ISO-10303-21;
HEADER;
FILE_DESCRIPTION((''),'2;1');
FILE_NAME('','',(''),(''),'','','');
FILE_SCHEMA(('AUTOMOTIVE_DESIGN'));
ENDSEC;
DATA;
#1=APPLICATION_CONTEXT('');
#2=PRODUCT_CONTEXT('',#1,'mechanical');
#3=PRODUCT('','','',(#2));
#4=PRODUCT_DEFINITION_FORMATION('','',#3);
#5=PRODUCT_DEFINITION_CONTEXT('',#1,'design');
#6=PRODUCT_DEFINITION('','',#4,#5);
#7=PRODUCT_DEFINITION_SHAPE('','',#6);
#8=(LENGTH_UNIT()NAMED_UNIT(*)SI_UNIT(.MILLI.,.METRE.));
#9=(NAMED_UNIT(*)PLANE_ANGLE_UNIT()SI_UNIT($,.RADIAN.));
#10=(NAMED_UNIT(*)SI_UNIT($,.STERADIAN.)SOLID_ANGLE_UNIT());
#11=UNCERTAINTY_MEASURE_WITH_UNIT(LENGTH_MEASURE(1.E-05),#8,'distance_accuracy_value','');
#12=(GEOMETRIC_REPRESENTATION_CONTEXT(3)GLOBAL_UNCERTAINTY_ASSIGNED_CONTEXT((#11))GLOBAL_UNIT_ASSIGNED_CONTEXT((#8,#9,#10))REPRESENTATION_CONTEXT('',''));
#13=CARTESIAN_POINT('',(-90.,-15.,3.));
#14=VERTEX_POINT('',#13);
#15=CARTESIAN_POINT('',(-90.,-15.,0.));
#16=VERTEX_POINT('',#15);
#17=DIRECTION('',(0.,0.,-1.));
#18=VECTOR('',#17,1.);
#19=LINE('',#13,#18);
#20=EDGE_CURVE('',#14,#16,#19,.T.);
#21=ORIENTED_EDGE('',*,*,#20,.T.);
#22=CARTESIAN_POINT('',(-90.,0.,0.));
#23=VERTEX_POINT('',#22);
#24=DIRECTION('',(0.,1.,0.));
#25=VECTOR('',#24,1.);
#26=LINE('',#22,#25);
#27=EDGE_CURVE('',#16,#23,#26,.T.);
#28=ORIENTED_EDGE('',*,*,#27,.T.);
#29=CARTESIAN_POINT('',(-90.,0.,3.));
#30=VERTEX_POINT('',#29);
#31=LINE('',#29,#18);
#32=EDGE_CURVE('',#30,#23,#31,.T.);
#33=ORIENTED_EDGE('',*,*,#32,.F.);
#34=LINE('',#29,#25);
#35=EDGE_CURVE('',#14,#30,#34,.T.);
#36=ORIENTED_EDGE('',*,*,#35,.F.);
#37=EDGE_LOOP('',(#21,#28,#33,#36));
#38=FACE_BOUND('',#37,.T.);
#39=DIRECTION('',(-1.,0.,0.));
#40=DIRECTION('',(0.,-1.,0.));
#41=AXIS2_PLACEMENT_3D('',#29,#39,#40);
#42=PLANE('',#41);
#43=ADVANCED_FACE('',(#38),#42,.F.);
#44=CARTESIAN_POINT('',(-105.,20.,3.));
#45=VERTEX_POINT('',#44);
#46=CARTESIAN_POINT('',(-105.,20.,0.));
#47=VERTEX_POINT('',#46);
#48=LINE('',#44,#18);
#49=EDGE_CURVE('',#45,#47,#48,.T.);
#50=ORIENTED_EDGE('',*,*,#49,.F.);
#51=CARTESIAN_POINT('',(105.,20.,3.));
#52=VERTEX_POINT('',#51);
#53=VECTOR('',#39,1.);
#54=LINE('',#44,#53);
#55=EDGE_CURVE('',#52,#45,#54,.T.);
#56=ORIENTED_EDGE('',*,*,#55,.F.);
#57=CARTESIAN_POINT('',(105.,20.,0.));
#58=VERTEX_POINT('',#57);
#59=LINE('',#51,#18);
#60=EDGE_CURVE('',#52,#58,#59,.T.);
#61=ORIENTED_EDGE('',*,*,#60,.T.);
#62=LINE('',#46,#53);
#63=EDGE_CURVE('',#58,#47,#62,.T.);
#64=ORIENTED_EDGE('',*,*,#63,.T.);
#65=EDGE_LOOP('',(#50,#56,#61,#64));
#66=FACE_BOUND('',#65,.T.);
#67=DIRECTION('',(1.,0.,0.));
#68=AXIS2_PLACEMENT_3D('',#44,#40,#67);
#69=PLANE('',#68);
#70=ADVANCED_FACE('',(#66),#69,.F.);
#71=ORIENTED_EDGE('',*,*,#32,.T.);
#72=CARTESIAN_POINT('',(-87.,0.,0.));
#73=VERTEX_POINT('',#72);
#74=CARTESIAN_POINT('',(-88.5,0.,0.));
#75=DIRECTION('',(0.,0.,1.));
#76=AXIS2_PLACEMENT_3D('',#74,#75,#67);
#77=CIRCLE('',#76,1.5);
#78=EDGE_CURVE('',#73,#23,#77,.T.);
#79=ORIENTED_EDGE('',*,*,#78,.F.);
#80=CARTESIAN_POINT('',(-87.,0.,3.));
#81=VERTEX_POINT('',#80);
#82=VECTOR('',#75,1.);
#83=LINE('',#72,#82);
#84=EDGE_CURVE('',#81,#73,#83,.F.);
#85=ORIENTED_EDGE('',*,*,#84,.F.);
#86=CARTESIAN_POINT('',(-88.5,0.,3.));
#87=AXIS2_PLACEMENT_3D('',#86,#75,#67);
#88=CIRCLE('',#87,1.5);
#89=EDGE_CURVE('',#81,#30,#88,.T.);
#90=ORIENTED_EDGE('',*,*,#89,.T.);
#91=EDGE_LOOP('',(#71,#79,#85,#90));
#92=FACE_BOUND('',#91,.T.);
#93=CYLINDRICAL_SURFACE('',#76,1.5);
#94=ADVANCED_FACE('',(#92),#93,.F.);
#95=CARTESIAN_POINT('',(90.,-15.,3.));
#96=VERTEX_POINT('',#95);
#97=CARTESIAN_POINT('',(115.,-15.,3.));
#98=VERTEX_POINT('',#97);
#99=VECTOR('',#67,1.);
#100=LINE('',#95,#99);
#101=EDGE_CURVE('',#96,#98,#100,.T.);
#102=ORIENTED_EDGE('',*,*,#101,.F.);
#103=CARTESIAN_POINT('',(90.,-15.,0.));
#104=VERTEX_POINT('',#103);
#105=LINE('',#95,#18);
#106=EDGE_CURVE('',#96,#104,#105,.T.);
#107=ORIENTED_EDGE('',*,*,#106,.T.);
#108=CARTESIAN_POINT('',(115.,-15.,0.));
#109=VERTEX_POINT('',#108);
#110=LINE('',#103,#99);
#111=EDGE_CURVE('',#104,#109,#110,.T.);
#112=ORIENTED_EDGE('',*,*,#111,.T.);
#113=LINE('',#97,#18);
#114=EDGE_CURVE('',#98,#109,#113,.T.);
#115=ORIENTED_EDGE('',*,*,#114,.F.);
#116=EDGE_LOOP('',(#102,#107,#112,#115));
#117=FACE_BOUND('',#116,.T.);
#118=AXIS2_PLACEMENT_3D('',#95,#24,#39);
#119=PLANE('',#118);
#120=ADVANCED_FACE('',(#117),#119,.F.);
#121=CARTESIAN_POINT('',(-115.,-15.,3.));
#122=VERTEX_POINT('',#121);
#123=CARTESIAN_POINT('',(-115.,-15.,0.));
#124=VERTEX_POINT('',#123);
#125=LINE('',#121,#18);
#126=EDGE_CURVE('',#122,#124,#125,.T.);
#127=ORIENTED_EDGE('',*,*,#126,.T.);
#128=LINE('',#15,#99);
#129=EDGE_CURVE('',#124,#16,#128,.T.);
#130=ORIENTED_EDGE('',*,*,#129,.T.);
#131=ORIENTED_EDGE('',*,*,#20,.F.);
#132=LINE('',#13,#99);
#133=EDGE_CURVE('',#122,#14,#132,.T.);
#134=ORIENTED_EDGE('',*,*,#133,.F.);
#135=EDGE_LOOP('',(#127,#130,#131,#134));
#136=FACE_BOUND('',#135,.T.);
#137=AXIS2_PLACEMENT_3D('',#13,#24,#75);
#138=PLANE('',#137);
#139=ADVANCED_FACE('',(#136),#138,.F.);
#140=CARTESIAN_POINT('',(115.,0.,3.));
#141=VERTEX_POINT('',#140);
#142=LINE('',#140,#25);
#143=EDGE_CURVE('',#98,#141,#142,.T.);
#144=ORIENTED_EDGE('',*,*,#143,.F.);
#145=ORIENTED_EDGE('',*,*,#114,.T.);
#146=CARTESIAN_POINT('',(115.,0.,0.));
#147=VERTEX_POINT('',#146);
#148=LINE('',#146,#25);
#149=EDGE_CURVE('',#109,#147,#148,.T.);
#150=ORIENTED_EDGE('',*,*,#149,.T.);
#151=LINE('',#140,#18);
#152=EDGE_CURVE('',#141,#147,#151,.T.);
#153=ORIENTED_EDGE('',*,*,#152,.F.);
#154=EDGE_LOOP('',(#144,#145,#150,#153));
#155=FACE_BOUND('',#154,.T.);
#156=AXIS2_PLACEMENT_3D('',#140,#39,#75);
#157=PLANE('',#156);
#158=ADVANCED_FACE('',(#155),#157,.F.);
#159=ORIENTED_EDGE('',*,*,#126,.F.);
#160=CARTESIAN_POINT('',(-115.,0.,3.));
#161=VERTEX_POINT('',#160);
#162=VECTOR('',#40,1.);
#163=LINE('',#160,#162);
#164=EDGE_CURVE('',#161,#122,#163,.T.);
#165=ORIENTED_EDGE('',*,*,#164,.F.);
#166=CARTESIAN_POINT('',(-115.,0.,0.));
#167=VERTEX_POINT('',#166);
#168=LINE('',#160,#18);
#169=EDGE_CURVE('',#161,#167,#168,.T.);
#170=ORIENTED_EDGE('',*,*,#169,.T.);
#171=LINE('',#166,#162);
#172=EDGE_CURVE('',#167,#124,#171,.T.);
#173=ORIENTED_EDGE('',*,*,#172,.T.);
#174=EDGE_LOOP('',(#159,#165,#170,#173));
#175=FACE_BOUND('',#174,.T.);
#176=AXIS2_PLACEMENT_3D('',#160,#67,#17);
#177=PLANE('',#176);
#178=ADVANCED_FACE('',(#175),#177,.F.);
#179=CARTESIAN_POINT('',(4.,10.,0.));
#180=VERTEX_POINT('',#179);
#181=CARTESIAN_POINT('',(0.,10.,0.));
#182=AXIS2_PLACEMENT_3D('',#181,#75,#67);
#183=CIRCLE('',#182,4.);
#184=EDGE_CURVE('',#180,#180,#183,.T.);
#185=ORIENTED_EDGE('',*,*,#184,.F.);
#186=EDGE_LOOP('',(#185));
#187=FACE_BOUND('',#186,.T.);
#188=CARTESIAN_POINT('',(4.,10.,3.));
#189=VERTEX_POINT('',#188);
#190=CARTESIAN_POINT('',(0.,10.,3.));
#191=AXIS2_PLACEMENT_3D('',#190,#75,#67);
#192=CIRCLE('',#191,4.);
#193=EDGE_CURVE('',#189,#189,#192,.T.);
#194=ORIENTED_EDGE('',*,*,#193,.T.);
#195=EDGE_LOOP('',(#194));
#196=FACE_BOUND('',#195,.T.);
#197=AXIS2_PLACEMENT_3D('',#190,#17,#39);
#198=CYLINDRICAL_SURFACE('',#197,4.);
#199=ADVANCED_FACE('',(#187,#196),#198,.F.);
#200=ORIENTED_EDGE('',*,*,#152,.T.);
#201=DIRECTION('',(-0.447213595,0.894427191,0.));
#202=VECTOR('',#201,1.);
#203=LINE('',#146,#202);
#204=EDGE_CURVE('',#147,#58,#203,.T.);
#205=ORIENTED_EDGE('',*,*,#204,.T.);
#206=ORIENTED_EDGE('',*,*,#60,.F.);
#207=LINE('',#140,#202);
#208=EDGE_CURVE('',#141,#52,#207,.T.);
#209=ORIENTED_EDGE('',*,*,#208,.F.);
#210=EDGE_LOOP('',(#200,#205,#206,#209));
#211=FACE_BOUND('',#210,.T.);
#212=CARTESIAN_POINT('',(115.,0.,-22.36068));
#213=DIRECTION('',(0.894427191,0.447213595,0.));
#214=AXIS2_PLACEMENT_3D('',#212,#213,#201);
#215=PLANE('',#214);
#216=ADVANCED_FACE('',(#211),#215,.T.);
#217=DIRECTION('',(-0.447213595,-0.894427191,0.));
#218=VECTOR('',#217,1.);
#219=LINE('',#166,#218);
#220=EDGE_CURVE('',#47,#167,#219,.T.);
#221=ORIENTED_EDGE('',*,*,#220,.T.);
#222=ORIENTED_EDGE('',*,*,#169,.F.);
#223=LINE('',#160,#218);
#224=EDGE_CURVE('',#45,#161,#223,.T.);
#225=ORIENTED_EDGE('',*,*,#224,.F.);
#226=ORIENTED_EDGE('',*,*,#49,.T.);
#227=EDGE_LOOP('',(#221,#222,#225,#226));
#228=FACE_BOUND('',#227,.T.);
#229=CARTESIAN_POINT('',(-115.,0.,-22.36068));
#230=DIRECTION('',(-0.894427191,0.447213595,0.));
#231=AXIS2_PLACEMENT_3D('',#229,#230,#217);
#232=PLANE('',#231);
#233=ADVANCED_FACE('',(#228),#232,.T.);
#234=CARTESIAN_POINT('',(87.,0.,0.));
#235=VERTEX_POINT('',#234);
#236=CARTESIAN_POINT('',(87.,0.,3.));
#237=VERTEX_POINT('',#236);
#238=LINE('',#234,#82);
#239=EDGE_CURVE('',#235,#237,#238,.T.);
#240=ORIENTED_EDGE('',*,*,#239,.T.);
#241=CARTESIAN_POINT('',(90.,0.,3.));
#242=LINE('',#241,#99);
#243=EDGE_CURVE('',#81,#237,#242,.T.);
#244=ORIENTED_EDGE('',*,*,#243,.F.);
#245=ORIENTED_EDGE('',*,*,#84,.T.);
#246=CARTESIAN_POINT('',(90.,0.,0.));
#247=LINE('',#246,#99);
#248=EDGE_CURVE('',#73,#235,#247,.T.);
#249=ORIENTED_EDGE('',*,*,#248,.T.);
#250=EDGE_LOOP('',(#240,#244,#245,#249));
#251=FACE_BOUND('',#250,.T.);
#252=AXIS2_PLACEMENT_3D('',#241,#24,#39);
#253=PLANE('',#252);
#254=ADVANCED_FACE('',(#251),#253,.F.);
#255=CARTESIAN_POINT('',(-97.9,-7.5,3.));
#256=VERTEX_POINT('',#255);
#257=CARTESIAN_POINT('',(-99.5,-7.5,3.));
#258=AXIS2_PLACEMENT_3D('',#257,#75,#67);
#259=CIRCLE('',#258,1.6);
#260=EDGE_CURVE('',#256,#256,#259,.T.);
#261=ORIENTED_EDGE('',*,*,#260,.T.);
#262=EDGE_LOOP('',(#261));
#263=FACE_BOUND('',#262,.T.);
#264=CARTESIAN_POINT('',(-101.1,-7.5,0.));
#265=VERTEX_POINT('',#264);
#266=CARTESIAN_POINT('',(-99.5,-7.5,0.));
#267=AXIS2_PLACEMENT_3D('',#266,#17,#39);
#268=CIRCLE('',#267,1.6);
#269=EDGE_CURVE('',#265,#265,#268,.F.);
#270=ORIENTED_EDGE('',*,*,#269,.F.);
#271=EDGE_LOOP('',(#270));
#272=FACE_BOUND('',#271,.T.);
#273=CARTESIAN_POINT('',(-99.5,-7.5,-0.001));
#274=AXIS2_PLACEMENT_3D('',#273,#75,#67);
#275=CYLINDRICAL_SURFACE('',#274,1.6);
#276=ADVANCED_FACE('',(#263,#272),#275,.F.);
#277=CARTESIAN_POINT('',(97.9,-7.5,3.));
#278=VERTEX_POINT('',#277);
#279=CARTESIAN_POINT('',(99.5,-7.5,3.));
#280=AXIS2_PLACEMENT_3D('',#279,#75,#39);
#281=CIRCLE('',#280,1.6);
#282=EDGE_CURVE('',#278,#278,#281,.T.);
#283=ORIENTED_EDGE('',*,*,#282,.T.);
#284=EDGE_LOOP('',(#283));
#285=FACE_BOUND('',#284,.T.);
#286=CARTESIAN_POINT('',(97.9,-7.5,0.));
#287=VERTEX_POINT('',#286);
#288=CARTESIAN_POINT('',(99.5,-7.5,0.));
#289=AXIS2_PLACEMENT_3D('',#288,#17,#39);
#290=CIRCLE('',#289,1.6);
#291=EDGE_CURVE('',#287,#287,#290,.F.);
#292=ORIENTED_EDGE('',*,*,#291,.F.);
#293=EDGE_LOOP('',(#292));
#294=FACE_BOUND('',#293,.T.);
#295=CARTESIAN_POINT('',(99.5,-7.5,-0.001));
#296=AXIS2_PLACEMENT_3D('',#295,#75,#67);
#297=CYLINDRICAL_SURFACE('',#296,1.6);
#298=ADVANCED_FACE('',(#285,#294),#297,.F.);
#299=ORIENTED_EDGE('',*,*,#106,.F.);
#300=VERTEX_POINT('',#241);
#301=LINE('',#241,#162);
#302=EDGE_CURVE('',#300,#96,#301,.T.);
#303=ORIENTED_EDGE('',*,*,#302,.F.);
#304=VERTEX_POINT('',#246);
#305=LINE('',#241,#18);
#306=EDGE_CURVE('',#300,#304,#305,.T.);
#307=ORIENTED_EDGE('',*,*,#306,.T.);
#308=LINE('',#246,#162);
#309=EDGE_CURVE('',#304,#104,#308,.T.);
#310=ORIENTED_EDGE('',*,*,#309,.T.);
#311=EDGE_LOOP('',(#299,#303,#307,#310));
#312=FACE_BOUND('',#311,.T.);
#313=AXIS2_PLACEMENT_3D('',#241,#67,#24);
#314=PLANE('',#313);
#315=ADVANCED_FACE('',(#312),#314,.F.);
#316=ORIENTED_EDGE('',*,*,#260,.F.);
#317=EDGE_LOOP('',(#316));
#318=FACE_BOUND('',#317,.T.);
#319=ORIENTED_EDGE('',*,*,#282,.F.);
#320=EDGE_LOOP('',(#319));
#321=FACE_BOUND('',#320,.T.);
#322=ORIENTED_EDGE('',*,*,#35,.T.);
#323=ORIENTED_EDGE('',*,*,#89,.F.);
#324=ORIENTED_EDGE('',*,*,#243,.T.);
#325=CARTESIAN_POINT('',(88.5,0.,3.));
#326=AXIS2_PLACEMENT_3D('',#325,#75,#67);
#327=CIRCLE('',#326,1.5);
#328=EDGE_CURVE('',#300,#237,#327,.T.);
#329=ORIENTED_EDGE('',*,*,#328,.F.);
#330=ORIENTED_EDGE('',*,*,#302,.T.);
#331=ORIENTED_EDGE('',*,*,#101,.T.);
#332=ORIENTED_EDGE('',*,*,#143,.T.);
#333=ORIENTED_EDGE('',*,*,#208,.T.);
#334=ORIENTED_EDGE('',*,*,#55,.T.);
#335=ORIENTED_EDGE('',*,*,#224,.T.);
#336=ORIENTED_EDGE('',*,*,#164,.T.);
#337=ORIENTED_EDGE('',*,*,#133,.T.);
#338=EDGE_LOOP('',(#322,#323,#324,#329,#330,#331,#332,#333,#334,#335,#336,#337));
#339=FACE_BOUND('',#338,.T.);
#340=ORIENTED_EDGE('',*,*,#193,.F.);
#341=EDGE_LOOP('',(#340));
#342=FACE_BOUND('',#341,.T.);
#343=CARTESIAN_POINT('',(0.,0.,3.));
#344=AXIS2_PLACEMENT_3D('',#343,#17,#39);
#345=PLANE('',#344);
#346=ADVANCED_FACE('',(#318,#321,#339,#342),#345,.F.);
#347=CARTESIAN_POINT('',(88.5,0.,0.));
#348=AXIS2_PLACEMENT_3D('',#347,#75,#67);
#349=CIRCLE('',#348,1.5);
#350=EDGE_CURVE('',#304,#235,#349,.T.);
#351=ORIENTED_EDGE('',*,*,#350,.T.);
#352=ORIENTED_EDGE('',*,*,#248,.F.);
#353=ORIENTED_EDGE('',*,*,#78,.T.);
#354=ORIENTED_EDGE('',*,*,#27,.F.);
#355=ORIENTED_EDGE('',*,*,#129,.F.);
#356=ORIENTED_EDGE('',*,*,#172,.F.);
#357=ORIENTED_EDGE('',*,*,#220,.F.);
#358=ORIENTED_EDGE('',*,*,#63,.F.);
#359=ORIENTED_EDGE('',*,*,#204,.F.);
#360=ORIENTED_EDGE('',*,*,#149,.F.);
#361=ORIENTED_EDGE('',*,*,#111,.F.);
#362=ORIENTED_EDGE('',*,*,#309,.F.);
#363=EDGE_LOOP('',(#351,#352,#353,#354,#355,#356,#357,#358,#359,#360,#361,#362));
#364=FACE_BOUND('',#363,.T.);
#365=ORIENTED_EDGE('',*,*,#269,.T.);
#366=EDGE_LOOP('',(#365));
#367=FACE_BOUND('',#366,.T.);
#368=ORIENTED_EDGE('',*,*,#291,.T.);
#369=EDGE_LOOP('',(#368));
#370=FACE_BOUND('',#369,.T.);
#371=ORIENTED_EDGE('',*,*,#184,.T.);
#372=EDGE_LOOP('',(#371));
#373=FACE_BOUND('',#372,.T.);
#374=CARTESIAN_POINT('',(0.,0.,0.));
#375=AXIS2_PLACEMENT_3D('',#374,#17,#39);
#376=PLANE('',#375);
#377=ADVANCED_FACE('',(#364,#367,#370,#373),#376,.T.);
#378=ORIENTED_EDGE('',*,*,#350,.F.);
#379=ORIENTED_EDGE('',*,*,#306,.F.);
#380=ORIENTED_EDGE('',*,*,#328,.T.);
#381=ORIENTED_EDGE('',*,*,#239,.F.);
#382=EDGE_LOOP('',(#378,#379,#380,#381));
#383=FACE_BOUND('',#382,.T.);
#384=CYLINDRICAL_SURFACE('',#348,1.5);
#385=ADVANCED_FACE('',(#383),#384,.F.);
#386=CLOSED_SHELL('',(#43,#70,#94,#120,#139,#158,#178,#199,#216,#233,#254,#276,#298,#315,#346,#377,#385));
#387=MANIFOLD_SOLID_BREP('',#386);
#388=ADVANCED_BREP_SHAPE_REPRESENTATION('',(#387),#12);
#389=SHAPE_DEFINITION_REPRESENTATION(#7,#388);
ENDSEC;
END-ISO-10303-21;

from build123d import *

# Parameters (mm, degrees)
SKETCH_1_R          = 4
EXTRUDE_1_DEPTH     = 3
SKETCH_2_R          = 1.5
CUT_EXTRUDE_1_DEPTH = 4
EXTRUDE_2_DEPTH     = 3
CUT_EXTRUDE_2_REACH = 5
SKETCH_4_R          = 1.6


with BuildPart() as part:
    # 草图1 → 凸台-拉伸1 (new body)
    with BuildSketch(Plane.XY):
        Polygon((90, 0), (-90, 0), (-90, -15), (-115, -15), (-115, 0), (-105, 0), (-105, 20), (105, 20), (105, 0), (115, 0), (115, -15), (90, -15), align=None)
        with Locations((0, 10)):
            Circle(SKETCH_1_R, mode=Mode.SUBTRACT)
    extrude(amount=EXTRUDE_1_DEPTH)

    # 草图2 → 切除-拉伸1 (cut, through all)
    with BuildSketch(Plane.XY.offset(3)):
        with Locations((-88.5, 0)):
            Circle(SKETCH_2_R)
        with Locations((88.5, 0)):
            Circle(SKETCH_2_R)
    extrude(amount=-CUT_EXTRUDE_1_DEPTH, mode=Mode.SUBTRACT)

    # 草图3 → 凸台-拉伸2 (add)
    with BuildSketch(Plane.XY.offset(3)):
        Polygon((-115, 0), (-105, 20), (-105, 0), align=None)
        Polygon((105, 20), (105, 0), (115, 0), align=None)
    extrude(amount=-EXTRUDE_2_DEPTH)

    # 草图4 → 切除-拉伸2 (cut, up to next)
    with BuildSketch(Plane.XY.offset(3), mode=Mode.PRIVATE) as cut_extrude_2_sk1:
        with Locations((-99.5, -7.5)):
            Circle(SKETCH_4_R)
    cut_extrude_2_tool1 = extrude(cut_extrude_2_sk1.sketch, amount=-CUT_EXTRUDE_2_REACH, mode=Mode.PRIVATE) & part.part
    add(cut_extrude_2_tool1.solids().sort_by_distance((-99.5, -7.5, 3))[0], mode=Mode.SUBTRACT)
    # 草图4 → 切除-拉伸2 (cut, up to next)
    with BuildSketch(Plane.XY.offset(3), mode=Mode.PRIVATE) as cut_extrude_2_sk2:
        with Locations((99.5, -7.5)):
            Circle(SKETCH_4_R)
    cut_extrude_2_tool2 = extrude(cut_extrude_2_sk2.sketch, amount=-CUT_EXTRUDE_2_REACH, mode=Mode.PRIVATE) & part.part
    add(cut_extrude_2_tool2.solids().sort_by_distance((99.5, -7.5, 3))[0], mode=Mode.SUBTRACT)


solid = part.part
